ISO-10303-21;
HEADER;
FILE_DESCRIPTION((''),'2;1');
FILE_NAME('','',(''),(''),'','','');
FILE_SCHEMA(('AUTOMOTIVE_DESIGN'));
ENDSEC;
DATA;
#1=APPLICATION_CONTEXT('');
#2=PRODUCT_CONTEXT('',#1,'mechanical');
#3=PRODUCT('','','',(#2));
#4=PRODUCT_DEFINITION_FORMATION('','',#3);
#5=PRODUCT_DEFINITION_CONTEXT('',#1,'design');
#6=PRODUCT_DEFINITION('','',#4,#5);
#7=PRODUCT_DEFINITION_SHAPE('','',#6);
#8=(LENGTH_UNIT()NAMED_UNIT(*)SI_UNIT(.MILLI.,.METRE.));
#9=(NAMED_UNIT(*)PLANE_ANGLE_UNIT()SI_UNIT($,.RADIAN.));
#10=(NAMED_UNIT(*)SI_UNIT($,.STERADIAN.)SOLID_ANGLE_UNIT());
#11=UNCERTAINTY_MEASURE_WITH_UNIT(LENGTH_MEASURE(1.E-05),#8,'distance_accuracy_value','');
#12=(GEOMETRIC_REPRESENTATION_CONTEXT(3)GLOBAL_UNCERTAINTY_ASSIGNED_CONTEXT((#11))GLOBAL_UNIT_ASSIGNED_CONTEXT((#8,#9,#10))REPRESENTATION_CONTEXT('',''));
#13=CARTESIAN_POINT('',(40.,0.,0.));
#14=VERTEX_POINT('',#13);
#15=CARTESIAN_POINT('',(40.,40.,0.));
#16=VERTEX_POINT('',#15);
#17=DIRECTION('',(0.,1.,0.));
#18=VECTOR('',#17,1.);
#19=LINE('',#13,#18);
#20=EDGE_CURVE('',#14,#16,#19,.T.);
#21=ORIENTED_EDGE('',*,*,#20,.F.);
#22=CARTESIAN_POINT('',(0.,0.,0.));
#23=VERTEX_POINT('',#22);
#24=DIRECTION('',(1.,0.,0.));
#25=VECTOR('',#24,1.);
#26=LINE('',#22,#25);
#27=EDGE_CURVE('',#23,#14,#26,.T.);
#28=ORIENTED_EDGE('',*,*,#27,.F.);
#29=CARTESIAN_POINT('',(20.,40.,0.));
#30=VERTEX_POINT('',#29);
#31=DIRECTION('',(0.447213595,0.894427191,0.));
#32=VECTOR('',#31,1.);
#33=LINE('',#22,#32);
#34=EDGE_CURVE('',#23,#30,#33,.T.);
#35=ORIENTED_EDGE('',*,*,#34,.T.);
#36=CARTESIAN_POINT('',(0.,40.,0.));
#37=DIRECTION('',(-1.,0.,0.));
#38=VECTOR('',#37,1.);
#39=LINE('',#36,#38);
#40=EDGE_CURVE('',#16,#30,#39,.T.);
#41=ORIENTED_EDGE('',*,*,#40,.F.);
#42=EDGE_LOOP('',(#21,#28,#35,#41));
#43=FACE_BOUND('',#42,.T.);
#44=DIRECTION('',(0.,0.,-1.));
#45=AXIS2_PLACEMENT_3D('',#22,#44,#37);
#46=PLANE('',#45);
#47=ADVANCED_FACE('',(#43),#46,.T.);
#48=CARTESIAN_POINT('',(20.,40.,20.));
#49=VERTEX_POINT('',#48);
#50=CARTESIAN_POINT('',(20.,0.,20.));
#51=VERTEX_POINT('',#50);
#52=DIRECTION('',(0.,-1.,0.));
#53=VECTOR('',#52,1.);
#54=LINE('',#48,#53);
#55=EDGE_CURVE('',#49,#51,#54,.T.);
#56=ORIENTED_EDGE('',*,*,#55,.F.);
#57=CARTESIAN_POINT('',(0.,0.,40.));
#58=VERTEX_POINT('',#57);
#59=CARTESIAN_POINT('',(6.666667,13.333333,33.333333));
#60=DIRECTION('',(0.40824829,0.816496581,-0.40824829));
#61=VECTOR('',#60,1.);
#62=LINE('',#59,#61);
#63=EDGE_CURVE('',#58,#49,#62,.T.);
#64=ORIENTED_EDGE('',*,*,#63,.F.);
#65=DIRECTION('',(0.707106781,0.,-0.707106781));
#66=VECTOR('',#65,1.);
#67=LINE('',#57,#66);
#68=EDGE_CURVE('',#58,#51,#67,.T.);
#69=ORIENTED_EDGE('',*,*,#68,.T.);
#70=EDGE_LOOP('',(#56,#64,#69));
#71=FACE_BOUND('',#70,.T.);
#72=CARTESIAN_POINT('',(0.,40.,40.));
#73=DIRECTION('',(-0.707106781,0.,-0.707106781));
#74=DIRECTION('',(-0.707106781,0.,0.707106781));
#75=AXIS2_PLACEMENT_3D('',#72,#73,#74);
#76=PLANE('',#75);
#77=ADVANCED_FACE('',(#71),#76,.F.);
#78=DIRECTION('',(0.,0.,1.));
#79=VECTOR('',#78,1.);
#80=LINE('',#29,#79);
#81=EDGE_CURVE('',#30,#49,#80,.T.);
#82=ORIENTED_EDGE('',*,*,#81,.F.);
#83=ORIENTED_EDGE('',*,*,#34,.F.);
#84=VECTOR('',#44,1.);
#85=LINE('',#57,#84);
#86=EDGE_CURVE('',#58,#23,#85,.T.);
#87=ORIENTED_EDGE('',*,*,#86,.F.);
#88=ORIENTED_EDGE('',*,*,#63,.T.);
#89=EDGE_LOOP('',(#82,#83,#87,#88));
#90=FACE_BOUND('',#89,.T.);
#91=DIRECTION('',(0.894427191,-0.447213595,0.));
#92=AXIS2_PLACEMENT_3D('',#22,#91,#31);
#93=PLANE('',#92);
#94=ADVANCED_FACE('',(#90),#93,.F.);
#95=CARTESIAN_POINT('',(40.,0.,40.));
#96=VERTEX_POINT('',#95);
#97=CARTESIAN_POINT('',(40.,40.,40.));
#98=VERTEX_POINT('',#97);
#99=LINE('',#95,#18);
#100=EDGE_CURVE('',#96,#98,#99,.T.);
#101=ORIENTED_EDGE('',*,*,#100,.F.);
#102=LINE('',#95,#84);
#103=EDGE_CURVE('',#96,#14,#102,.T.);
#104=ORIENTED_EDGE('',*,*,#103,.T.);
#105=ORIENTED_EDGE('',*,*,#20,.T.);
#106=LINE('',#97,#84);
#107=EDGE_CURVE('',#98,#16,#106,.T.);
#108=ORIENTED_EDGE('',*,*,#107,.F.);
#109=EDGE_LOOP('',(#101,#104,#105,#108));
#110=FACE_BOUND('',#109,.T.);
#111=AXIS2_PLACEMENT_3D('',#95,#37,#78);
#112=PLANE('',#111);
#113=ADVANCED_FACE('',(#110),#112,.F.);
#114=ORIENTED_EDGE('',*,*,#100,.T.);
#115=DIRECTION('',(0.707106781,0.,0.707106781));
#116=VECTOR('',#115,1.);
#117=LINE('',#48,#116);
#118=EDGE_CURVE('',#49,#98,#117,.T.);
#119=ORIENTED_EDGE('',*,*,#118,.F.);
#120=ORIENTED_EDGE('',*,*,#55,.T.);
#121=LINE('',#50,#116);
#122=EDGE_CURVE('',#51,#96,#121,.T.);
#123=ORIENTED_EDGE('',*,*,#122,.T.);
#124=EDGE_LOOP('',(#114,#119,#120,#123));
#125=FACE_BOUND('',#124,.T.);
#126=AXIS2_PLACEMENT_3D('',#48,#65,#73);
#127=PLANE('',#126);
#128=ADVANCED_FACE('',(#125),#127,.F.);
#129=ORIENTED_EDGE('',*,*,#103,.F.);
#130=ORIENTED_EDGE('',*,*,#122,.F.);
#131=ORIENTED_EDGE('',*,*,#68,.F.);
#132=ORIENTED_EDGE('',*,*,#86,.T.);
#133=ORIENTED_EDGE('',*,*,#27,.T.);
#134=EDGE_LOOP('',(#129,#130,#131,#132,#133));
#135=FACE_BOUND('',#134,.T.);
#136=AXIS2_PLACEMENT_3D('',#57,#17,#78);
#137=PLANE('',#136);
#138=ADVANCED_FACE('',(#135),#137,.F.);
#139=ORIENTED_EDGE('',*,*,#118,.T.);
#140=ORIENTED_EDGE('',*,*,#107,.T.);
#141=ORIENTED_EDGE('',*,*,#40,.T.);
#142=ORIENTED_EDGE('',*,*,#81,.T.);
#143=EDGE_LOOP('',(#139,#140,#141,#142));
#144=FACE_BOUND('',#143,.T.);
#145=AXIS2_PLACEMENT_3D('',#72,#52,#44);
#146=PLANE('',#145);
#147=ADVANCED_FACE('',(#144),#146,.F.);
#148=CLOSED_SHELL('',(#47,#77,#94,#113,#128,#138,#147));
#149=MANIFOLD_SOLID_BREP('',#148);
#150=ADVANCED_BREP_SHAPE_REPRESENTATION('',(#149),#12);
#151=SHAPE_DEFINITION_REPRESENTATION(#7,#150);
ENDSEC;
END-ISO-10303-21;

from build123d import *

# Parameters (mm, degrees)
SKETCH1_W           = 40
SKETCH1_H           = 40
BOSS_EXTRUDE1_DEPTH = 40
CUT_EXTRUDE1_DEPTH  = 40
CUT_EXTRUDE2_DEPTH  = 40


with BuildPart() as part:
    # Sketch1 → Boss-Extrude1 (new body)
    with BuildSketch(Plane.XY):
        with Locations((20, 20)):
            Rectangle(SKETCH1_W, SKETCH1_H)
    extrude(amount=BOSS_EXTRUDE1_DEPTH)

    # Sketch2 → Cut-Extrude1 (cut)
    with BuildSketch(Plane.XY.offset(40)):
        Polygon((0, 0), (20, 40), (0, 40), align=None)
    extrude(amount=-CUT_EXTRUDE1_DEPTH, mode=Mode.SUBTRACT)

    # Sketch3 → Cut-Extrude2 (cut)
    with BuildSketch(Plane.XZ):
        Polygon((0, 40), (20, 20), (40, 40), align=None)
    extrude(amount=-CUT_EXTRUDE2_DEPTH, mode=Mode.SUBTRACT)


solid = part.part
